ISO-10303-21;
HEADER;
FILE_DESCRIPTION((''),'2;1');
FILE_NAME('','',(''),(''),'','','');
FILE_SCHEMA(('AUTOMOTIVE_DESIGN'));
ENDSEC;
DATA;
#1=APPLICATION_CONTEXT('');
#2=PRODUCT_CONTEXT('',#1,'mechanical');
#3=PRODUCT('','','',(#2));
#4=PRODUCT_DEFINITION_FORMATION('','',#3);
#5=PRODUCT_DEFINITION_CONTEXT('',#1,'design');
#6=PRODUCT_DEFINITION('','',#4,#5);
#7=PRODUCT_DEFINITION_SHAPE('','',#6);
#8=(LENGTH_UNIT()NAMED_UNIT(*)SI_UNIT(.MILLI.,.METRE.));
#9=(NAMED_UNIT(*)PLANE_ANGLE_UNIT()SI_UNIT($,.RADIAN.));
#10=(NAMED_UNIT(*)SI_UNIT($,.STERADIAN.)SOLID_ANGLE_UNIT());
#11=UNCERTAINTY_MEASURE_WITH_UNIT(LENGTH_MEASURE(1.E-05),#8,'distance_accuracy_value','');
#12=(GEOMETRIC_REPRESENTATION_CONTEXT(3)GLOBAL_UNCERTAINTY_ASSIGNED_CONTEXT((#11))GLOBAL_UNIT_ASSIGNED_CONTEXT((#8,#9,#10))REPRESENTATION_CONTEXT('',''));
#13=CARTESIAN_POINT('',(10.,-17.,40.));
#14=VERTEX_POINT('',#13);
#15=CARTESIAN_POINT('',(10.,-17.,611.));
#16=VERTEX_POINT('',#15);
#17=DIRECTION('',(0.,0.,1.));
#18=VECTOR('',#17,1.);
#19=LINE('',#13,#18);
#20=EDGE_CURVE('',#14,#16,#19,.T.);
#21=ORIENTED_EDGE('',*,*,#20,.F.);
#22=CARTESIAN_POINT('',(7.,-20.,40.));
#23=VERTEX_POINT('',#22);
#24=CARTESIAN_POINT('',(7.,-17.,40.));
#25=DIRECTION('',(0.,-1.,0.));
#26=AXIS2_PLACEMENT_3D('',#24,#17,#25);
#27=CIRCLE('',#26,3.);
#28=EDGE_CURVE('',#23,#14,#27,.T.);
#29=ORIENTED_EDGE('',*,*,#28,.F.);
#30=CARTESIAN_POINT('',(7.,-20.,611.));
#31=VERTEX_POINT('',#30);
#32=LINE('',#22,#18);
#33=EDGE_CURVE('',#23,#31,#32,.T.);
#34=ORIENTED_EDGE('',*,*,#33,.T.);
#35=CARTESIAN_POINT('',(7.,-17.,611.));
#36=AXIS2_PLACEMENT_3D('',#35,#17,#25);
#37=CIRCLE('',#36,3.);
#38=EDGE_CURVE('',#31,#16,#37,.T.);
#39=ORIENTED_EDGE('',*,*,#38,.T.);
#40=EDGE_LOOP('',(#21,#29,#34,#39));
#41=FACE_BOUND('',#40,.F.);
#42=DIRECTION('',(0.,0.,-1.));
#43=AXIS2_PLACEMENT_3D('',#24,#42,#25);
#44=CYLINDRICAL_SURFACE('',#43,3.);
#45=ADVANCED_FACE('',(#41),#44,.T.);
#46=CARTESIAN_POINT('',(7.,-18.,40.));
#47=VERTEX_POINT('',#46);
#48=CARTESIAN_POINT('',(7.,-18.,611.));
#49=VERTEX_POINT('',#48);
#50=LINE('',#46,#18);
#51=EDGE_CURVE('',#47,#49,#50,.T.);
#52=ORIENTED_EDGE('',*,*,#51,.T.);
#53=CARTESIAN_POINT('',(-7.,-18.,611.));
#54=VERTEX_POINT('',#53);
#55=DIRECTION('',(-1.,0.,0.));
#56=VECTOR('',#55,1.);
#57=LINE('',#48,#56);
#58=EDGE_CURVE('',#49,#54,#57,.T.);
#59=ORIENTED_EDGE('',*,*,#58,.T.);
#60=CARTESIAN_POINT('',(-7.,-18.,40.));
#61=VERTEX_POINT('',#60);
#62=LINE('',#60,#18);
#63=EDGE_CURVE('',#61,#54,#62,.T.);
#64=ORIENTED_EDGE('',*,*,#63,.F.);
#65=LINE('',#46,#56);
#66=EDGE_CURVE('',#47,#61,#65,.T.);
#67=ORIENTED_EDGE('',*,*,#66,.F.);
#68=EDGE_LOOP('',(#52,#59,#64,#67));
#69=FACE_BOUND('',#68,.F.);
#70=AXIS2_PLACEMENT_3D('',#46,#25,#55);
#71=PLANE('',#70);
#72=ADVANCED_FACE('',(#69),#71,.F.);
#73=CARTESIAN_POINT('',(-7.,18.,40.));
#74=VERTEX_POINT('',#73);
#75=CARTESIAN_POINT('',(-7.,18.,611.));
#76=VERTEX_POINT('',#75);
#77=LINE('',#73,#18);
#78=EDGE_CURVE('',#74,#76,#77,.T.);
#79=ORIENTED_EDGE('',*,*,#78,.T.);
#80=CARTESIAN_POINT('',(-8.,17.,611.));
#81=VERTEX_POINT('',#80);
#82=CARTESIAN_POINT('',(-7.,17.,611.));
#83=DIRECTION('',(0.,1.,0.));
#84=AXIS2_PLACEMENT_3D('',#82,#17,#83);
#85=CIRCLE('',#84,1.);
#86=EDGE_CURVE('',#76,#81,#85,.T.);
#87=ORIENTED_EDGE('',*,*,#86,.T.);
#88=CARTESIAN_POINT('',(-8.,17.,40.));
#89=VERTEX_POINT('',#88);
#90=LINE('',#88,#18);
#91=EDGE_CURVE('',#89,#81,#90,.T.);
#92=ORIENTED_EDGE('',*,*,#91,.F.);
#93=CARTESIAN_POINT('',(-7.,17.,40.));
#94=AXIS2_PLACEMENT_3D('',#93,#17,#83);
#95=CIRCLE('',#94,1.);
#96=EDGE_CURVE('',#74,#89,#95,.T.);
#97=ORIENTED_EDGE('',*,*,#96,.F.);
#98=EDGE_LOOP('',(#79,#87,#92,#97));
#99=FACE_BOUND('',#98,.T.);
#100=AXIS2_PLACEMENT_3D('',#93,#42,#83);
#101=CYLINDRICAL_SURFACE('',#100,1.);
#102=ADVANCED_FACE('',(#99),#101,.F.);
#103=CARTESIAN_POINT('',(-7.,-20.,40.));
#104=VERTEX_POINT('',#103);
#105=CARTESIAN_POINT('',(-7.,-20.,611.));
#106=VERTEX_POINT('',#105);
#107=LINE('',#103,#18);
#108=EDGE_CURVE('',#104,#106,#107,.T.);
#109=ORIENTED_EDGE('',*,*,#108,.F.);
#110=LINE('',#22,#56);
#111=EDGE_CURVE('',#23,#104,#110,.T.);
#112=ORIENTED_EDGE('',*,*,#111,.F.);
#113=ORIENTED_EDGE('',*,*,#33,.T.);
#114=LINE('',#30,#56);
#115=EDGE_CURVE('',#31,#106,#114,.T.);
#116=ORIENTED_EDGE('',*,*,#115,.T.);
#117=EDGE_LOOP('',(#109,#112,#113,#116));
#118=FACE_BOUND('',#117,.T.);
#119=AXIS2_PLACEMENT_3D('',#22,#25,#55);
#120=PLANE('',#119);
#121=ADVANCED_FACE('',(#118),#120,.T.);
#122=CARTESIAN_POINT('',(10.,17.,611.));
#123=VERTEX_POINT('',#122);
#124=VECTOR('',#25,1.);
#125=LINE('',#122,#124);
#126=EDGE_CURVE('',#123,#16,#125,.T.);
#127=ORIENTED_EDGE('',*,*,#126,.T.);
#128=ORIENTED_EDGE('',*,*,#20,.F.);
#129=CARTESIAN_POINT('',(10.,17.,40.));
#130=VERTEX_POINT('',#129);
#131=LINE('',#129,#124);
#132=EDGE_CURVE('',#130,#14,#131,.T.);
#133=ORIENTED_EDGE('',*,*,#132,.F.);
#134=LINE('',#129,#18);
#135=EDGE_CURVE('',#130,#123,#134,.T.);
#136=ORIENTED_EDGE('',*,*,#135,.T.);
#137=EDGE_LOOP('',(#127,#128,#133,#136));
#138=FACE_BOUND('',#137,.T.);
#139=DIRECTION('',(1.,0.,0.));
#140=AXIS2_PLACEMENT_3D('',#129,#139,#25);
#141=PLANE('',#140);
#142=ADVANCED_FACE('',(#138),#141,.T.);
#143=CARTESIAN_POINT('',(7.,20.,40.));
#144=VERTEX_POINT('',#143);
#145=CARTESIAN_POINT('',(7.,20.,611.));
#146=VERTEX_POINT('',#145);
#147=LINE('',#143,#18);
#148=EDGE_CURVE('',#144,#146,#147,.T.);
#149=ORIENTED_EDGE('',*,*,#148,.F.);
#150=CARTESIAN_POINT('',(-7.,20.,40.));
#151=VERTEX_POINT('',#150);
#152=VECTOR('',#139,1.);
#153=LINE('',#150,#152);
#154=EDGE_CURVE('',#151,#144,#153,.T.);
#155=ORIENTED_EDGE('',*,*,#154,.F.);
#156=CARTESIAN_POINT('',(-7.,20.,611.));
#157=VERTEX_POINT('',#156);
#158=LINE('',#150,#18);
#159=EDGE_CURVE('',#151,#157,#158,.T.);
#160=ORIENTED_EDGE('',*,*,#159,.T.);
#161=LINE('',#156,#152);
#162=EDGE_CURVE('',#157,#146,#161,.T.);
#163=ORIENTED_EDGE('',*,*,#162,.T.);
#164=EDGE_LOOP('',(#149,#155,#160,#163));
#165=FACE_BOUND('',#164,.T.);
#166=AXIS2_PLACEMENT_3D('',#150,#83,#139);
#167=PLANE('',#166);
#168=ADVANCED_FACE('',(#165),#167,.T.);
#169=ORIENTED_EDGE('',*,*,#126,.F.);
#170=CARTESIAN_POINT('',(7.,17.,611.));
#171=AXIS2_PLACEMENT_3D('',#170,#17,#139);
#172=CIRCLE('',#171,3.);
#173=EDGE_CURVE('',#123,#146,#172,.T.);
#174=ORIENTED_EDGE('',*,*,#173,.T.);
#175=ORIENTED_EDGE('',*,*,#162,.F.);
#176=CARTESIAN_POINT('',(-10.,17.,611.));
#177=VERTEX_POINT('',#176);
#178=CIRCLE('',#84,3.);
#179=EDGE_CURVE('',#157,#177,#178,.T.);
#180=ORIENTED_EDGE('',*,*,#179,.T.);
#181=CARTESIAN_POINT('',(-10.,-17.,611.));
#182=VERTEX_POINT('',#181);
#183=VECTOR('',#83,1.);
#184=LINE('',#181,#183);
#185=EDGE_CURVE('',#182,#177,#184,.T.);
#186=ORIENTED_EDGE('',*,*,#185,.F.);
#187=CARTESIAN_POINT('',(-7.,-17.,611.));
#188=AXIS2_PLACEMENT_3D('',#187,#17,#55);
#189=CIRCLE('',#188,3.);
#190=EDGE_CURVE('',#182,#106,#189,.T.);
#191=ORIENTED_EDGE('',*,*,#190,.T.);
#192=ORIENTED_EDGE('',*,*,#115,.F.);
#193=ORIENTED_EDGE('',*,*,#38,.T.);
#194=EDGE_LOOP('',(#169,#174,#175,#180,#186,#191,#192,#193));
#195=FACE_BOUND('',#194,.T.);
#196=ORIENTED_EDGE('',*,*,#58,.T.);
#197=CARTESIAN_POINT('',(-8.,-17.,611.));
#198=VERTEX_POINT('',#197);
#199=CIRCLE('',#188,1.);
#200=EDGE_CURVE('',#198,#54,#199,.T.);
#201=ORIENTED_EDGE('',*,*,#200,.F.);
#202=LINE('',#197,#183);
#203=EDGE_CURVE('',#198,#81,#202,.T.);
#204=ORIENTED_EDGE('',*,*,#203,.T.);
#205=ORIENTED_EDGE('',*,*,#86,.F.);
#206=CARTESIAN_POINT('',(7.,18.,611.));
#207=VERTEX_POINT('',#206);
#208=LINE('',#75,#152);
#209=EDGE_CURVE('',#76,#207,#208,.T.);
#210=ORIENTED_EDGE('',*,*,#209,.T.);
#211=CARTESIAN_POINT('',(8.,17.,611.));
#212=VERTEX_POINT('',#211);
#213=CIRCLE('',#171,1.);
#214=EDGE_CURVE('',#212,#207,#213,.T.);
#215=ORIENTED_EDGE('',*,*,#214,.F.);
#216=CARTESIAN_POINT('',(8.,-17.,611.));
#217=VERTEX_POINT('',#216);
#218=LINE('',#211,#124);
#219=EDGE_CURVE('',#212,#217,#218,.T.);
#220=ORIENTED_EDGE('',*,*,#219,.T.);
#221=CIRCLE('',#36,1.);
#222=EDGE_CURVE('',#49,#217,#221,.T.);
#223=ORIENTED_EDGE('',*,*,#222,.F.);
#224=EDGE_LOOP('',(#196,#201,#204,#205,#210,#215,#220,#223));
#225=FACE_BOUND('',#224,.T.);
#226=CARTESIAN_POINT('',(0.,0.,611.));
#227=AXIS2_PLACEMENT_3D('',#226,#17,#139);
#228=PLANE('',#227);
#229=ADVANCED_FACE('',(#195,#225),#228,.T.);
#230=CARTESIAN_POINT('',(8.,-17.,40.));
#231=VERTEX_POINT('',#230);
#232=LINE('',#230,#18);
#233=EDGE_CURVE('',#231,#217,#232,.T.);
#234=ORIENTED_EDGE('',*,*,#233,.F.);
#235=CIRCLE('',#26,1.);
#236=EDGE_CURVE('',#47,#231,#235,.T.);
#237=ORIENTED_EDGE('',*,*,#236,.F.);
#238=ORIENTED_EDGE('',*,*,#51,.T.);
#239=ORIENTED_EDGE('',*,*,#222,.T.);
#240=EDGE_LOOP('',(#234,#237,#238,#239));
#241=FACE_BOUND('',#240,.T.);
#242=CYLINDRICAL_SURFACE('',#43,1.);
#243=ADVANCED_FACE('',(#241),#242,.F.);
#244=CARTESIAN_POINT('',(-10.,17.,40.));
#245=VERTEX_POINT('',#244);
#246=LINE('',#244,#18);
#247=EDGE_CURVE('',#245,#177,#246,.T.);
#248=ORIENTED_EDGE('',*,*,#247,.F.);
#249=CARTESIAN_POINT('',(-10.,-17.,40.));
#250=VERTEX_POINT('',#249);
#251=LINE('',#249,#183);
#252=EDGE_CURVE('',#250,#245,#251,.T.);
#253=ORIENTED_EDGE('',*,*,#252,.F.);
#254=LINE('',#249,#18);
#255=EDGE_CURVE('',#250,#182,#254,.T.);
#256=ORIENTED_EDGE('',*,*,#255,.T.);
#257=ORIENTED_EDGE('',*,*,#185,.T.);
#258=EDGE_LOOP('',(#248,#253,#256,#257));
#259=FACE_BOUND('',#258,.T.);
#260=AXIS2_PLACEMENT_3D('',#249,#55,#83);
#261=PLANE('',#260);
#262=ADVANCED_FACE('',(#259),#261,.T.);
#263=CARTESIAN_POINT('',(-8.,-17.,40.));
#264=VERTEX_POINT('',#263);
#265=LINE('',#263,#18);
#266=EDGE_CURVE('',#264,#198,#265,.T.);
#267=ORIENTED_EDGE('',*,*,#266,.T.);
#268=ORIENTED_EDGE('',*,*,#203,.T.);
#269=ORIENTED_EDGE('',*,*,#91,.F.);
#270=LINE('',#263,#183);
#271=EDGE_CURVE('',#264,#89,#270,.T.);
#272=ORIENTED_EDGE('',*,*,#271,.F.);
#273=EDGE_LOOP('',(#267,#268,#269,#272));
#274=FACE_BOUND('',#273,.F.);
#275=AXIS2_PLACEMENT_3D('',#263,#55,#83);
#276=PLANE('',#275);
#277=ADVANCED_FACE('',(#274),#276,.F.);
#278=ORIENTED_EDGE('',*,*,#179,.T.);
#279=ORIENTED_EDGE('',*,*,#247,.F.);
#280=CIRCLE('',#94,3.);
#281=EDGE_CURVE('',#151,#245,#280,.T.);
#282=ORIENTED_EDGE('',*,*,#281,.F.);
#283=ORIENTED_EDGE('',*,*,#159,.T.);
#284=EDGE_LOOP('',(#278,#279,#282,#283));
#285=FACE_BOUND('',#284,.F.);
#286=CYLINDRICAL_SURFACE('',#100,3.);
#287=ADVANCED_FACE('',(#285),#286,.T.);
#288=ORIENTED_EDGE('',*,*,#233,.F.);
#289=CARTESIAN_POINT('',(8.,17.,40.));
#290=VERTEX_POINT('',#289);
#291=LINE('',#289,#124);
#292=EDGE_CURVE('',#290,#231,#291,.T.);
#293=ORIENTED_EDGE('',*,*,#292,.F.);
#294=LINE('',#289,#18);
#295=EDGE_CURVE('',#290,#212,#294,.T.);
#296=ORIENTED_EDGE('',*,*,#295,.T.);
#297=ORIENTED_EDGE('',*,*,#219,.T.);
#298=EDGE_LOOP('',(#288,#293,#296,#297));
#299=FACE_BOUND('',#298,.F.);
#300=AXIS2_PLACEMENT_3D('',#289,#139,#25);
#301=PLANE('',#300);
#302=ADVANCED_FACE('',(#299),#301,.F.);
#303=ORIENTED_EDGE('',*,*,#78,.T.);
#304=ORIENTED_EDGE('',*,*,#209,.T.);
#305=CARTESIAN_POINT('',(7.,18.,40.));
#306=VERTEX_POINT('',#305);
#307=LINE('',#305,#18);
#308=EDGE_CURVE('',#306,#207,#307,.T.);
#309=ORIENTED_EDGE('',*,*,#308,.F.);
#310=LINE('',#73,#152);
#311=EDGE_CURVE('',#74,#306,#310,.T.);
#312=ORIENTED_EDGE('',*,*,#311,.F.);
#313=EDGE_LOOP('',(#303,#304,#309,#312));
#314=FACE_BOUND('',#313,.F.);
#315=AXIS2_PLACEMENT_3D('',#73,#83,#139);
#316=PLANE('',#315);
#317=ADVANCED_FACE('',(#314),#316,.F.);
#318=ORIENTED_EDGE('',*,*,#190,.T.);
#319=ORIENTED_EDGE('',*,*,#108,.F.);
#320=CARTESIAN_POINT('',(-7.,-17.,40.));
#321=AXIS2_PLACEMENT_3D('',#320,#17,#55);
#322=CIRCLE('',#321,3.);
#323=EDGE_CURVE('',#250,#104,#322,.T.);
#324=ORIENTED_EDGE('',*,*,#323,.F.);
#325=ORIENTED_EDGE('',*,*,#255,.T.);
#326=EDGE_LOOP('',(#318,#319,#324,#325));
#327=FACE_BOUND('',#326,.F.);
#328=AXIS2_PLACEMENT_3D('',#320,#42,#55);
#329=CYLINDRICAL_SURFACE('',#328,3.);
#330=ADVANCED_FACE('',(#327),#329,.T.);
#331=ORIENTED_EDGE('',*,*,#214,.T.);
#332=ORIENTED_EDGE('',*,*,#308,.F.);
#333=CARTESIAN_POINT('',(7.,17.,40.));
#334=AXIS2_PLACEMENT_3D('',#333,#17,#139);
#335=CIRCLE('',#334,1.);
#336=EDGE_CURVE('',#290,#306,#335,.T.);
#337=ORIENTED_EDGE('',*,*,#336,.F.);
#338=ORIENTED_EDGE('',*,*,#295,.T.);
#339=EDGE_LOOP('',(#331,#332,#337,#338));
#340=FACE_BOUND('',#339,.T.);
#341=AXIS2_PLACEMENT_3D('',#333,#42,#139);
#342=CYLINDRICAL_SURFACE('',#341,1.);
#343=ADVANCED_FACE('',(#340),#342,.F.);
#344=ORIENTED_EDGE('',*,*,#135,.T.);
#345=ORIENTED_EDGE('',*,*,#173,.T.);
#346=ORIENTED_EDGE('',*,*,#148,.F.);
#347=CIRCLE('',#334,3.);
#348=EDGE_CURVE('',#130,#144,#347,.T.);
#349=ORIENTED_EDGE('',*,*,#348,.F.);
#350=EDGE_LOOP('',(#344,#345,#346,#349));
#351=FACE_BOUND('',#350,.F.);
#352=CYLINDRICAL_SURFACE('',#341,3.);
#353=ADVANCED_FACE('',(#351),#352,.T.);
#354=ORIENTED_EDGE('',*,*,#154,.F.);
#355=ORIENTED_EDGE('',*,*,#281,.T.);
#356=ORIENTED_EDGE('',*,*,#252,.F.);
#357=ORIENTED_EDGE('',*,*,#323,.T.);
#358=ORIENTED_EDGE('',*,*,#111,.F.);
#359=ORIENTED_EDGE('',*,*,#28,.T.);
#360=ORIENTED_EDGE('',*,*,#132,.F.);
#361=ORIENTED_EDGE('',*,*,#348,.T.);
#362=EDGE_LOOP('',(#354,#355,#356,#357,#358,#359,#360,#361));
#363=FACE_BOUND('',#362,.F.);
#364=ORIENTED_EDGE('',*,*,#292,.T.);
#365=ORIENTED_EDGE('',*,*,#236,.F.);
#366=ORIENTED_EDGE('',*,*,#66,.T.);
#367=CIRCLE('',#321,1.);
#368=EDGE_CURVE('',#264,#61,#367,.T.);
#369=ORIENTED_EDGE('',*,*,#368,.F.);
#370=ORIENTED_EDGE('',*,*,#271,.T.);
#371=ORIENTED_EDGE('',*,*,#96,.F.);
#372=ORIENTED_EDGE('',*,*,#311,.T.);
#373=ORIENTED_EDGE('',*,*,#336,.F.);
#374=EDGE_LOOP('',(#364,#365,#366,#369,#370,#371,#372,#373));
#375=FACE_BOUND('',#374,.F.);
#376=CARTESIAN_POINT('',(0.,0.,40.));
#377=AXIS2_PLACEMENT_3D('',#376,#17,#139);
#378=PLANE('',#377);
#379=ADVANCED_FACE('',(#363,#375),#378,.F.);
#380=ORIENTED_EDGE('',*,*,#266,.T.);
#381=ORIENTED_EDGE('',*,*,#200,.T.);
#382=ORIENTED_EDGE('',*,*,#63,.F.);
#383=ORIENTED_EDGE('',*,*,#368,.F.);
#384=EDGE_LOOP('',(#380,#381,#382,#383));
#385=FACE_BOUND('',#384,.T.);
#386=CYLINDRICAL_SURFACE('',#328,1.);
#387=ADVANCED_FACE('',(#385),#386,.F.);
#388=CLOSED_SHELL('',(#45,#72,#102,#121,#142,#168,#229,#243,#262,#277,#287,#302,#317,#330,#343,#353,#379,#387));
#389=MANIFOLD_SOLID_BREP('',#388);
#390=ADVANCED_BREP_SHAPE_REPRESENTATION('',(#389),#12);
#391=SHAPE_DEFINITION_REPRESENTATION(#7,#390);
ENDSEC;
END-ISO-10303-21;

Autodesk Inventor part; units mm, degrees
ref_plane "Start plane" through (0, 0, 40) normal (0, 0, 1) x (1, 0, 0)
ref_plane "End plane" through (0, 0, 611) normal (0, 0, 1) x (1, 0, 0)
sketch "Sketch" plane through (0, 0, 0) normal (0, 0, 1) x (1, 0, 0)
  line L0 (-10, -17) -> (-10, 17)
  line L1 (-7, 20) -> (7, 20)
  line L2 (10, 17) -> (10, -17)
  line L3 (7, -20) -> (-7, -20)
  arc A0 (-10, -17) -> (-7, -20) centre (-7, -17) ccw
  arc A1 (-7, 20) -> (-10, 17) centre (-7, 17) ccw
  arc A2 (10, 17) -> (7, 20) centre (7, 17) ccw
  arc A3 (7, -20) -> (10, -17) centre (7, -17) ccw
  arc A4 (-7, 18) -> (-8, 17) centre (-7, 17) ccw
  line L4 (-7, 18) -> (7, 18)
  arc A5 (8, 17) -> (7, 18) centre (7, 17) ccw
  line L5 (8, 17) -> (8, -17)
  arc A6 (7, -18) -> (8, -17) centre (7, -17) ccw
  line L6 (7, -18) -> (-7, -18)
  arc A7 (-8, -17) -> (-7, -18) centre (-7, -17) ccw
  line L7 (-8, -17) -> (-8, 17)
  line L8 (0, 28.8698) -> (0, -28.8698) construction
  line L9 (-14.8698, 0) -> (14.8698, 0) construction
  dimension "d7" = 3
  dimension "d10" = 40
  dimension "d11" = 20
  dimension "d12" = 2
  dimension "d15" = 20
  dimension "d16" = 10
extrude "Body" add sketch "Sketch" along normal up to surface (571 mm away) from surface at 40
sketch "Sketch3" plane through (0, 0, 0) normal (0, 0, 1) x (1, 0, 0)
  line L0 (0, 0) -> (10, 0)
ref_plane "Work Plane3" through (0, 0, 0) normal (0, -1, 0) x (1, 0, 0)
sketch "Sketch4" plane through (0, 0, 0) normal (0, -1, 0) x (1, 0, 0)
  line L0 (-2, 40) -> (12, 40)
  line L1 (-2, 611) -> (12, 611)
  dimension "d18" = 571
ref_plane "Work Plane5" through (-390, -22, 40) normal (0, 0, -1) x (-1, 0, 0)
split "Split2" plane through (-390, -22, 40) removes the side toward (0, 0, -1)
ref_plane "Work Plane6" through (7, 620, 611) normal (0, 0, 1) x (1, 0, 0)
split "Split3" plane through (7, 620, 611) removes the side toward (0, 0, 1)
equation "\"d7\" = G_IR"
equation "\"d10\" = G_H"
equation "\"d11\" = G_W"
equation "\"d12\" = G_T"
equation "\"d15\" = 0.5 * d10"
equation "\"d16\" = 0.5 * d11"
equation "\"d3\" = G_L"
equation "\"G_W\" = 20"
equation "\"G_H\" = 40"
equation "\"G_T\" = 2"
equation "\"G_IR\" = 3"
equation "\"G_L\" = d18"
equation "\"G_OFFSET_START\" = -40"
equation "\"G_OFFSET_END\" = -40"
equation "\"d13\" = -G_OFFSET_START"
equation "\"d14\" = G_OFFSET_END + B_L"
equation "\"B_L\" = 651"
properties part number "UNI EN 10305-5 - 40 x 20 x 2  - 571" material "Steel, Mild"
